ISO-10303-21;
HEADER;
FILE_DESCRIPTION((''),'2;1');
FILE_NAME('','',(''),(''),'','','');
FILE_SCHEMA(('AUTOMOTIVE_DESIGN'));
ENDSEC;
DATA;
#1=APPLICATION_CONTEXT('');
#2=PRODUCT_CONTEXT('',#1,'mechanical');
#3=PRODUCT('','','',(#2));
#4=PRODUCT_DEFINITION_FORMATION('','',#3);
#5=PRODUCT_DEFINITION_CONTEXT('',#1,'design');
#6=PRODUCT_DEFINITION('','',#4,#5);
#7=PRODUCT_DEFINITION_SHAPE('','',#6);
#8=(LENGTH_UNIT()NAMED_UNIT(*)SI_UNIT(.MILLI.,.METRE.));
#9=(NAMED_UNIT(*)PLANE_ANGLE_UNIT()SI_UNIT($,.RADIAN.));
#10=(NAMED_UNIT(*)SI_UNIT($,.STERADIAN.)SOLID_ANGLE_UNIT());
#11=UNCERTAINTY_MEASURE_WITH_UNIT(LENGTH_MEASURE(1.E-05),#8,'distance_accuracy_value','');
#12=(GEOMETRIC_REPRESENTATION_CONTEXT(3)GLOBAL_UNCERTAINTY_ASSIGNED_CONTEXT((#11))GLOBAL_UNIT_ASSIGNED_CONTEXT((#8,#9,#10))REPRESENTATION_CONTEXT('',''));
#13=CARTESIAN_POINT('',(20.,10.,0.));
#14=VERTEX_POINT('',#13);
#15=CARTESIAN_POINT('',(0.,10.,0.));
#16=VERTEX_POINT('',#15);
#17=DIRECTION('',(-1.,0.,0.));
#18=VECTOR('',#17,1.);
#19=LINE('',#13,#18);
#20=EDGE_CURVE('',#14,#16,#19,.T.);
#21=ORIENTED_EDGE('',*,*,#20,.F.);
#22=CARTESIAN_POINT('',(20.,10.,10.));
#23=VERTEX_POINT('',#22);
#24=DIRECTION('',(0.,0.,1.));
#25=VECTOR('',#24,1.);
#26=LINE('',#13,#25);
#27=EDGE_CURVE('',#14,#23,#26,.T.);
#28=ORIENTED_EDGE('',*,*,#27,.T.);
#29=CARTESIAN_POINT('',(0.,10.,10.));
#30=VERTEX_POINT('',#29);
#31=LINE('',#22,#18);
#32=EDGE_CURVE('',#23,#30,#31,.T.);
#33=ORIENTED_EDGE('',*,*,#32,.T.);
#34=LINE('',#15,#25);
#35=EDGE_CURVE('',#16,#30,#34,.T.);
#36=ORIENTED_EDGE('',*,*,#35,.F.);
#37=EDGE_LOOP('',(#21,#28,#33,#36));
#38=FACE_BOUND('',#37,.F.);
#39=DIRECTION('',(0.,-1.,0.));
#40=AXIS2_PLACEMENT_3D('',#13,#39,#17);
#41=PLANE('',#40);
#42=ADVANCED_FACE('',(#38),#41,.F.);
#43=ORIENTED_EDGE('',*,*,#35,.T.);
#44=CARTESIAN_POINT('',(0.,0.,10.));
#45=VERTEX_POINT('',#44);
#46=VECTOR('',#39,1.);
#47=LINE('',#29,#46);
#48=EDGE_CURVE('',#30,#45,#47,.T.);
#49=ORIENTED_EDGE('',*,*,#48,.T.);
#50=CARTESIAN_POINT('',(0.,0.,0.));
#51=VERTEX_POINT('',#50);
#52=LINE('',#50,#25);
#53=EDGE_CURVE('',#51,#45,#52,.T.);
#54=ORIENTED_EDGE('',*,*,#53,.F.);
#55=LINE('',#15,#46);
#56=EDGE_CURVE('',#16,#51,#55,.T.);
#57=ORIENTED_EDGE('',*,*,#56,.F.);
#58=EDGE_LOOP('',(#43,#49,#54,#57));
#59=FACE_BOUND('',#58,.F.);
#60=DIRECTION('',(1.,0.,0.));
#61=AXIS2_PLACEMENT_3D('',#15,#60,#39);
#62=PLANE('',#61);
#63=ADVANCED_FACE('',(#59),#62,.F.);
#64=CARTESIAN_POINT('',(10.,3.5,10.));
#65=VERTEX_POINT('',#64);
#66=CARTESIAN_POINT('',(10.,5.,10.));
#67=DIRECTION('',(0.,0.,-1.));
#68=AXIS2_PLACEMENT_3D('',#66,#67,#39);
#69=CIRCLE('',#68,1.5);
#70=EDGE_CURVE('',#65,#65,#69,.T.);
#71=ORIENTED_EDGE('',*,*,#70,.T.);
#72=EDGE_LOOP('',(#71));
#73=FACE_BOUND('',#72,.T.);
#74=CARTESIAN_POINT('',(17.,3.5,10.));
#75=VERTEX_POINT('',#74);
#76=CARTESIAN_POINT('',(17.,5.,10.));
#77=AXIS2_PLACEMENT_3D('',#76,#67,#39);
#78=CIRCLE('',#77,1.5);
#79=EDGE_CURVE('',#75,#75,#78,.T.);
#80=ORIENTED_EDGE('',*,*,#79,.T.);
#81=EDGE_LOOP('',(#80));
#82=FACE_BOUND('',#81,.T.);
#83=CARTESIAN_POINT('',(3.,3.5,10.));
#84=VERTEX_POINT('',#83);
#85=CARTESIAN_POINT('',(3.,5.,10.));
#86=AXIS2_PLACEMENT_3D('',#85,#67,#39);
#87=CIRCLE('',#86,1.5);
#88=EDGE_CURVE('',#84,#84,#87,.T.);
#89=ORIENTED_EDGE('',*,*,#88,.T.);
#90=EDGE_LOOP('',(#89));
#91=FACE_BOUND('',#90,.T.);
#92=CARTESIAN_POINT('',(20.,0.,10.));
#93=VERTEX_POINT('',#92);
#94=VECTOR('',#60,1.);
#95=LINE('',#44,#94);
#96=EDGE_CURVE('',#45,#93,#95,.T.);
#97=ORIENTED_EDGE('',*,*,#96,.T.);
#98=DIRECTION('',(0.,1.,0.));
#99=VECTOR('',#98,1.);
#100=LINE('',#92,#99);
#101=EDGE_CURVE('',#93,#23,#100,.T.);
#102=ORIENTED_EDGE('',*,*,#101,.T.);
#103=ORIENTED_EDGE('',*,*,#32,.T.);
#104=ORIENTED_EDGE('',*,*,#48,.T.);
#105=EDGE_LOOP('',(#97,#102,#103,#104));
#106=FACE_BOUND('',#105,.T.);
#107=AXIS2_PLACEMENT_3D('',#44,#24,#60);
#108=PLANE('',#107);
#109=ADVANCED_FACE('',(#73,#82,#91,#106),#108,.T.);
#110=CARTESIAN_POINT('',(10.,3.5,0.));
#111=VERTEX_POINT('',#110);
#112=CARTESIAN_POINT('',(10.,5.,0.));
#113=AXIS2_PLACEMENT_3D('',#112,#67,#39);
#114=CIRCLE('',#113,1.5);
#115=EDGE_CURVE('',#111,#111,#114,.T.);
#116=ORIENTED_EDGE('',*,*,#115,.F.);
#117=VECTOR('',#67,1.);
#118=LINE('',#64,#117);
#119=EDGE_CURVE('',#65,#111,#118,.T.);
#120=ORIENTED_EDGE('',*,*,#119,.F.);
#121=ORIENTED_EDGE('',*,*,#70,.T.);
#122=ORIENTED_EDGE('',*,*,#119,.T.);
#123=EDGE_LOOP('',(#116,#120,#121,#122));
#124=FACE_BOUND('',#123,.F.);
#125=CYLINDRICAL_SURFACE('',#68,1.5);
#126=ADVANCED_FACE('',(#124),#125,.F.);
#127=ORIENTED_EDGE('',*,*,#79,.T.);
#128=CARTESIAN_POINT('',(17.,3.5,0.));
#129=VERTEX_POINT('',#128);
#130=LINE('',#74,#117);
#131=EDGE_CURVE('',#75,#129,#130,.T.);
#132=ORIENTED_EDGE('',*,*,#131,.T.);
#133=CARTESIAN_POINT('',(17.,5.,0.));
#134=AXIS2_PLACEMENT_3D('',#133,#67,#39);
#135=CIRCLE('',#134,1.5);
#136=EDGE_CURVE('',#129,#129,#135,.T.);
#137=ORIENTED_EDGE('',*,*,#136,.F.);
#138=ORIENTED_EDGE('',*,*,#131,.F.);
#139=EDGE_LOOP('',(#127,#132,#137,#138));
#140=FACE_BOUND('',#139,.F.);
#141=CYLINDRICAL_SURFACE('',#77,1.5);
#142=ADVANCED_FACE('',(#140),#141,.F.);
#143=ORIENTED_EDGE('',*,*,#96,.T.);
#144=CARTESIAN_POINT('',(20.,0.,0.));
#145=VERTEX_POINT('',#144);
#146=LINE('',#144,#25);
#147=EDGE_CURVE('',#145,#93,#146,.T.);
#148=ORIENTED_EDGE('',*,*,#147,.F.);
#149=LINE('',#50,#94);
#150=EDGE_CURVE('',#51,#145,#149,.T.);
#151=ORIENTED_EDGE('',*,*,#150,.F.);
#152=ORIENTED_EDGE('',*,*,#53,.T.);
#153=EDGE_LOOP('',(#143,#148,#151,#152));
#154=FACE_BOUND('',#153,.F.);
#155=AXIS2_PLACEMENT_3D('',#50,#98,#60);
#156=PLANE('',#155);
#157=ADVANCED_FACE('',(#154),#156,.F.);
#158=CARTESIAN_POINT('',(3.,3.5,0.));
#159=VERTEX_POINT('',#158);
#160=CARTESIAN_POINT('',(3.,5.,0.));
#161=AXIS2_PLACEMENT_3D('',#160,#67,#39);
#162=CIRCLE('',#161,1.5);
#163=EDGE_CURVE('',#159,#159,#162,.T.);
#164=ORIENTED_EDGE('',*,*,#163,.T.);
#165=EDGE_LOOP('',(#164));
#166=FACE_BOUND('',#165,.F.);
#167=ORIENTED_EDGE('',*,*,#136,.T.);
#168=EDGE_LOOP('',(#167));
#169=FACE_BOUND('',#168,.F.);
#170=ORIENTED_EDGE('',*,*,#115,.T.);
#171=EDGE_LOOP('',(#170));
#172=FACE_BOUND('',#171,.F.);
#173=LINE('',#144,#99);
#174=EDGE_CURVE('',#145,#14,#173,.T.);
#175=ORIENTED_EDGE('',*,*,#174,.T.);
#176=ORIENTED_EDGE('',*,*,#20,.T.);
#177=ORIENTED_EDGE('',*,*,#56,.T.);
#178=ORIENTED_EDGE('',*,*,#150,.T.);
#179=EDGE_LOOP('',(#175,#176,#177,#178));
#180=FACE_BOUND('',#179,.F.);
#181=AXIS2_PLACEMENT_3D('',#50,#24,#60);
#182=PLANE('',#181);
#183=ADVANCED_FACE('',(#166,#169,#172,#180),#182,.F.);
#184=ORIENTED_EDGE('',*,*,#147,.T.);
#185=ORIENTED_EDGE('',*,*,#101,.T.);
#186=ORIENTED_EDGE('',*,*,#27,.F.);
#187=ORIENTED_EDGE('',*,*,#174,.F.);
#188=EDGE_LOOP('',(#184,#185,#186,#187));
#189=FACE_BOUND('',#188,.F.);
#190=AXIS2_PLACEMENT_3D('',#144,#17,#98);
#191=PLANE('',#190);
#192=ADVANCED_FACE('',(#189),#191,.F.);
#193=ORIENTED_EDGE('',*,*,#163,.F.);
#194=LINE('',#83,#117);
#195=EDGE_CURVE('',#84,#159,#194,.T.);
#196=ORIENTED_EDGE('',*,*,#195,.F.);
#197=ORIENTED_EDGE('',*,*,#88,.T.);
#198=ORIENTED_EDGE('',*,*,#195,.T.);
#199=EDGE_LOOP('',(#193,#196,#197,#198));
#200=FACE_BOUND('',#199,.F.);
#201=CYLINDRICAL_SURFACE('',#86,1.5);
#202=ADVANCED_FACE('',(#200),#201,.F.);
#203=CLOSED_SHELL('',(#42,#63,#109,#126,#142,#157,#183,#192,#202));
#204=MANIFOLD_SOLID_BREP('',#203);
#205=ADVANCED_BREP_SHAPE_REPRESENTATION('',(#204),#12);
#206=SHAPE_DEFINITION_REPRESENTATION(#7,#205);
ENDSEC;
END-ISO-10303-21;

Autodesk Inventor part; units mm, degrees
ref_plane "YZ Plane" through (0, 0, 0) normal (1, 0, 0) x (0, 1, 0)
ref_plane "XZ Plane" through (0, 0, 0) normal (0, 1, 0) x (-1, 0, 0)
ref_plane "XY Plane" through (0, 0, 0) normal (0, 0, 1) x (1, 0, 0)
sketch "スケッチ1" plane through (0, 0, 0) normal (0, 0, 1) x (1, 0, 0)
  line L0 (0, 0) -> (20, 0)
  line L1 (20, 0) -> (20, 10)
  line L2 (20, 10) -> (0, 10)
  line L3 (0, 10) -> (0, 0)
  dimension "d0" = 20
  dimension "d1" = 10
extrude "押し出し1" add sketch "スケッチ1" along normal blind 10
sketch "スケッチ3" plane through (0, 0, 10) normal (0, 0, 1) x (1, 0, 0)
  line L0 (20, 10) -> (0, 10) projected
  point P0 (0, 0)
  point P1 (10, 5)
  dimension "d13" = 5
hole "穴2" at (10, 5, 10) direction (0, 0, -1) diameter 3 end through all
sketch "スケッチ4" plane through (0, 0, 10) normal (0, 0, 1) x (1, 0, 0)
  line L0 (0, 10) -> (0, 0) projected
  line L1 (20, 0) -> (20, 10) projected
  point P0 (3, 5)
  point P1 (17, 5)
  dimension "d21" = 3
  dimension "d22" = 3
hole "穴3" at (3, 5, 10) at (17, 5, 10) direction (0, 0, -1) diameter 3 end through all
properties part number "指下"
